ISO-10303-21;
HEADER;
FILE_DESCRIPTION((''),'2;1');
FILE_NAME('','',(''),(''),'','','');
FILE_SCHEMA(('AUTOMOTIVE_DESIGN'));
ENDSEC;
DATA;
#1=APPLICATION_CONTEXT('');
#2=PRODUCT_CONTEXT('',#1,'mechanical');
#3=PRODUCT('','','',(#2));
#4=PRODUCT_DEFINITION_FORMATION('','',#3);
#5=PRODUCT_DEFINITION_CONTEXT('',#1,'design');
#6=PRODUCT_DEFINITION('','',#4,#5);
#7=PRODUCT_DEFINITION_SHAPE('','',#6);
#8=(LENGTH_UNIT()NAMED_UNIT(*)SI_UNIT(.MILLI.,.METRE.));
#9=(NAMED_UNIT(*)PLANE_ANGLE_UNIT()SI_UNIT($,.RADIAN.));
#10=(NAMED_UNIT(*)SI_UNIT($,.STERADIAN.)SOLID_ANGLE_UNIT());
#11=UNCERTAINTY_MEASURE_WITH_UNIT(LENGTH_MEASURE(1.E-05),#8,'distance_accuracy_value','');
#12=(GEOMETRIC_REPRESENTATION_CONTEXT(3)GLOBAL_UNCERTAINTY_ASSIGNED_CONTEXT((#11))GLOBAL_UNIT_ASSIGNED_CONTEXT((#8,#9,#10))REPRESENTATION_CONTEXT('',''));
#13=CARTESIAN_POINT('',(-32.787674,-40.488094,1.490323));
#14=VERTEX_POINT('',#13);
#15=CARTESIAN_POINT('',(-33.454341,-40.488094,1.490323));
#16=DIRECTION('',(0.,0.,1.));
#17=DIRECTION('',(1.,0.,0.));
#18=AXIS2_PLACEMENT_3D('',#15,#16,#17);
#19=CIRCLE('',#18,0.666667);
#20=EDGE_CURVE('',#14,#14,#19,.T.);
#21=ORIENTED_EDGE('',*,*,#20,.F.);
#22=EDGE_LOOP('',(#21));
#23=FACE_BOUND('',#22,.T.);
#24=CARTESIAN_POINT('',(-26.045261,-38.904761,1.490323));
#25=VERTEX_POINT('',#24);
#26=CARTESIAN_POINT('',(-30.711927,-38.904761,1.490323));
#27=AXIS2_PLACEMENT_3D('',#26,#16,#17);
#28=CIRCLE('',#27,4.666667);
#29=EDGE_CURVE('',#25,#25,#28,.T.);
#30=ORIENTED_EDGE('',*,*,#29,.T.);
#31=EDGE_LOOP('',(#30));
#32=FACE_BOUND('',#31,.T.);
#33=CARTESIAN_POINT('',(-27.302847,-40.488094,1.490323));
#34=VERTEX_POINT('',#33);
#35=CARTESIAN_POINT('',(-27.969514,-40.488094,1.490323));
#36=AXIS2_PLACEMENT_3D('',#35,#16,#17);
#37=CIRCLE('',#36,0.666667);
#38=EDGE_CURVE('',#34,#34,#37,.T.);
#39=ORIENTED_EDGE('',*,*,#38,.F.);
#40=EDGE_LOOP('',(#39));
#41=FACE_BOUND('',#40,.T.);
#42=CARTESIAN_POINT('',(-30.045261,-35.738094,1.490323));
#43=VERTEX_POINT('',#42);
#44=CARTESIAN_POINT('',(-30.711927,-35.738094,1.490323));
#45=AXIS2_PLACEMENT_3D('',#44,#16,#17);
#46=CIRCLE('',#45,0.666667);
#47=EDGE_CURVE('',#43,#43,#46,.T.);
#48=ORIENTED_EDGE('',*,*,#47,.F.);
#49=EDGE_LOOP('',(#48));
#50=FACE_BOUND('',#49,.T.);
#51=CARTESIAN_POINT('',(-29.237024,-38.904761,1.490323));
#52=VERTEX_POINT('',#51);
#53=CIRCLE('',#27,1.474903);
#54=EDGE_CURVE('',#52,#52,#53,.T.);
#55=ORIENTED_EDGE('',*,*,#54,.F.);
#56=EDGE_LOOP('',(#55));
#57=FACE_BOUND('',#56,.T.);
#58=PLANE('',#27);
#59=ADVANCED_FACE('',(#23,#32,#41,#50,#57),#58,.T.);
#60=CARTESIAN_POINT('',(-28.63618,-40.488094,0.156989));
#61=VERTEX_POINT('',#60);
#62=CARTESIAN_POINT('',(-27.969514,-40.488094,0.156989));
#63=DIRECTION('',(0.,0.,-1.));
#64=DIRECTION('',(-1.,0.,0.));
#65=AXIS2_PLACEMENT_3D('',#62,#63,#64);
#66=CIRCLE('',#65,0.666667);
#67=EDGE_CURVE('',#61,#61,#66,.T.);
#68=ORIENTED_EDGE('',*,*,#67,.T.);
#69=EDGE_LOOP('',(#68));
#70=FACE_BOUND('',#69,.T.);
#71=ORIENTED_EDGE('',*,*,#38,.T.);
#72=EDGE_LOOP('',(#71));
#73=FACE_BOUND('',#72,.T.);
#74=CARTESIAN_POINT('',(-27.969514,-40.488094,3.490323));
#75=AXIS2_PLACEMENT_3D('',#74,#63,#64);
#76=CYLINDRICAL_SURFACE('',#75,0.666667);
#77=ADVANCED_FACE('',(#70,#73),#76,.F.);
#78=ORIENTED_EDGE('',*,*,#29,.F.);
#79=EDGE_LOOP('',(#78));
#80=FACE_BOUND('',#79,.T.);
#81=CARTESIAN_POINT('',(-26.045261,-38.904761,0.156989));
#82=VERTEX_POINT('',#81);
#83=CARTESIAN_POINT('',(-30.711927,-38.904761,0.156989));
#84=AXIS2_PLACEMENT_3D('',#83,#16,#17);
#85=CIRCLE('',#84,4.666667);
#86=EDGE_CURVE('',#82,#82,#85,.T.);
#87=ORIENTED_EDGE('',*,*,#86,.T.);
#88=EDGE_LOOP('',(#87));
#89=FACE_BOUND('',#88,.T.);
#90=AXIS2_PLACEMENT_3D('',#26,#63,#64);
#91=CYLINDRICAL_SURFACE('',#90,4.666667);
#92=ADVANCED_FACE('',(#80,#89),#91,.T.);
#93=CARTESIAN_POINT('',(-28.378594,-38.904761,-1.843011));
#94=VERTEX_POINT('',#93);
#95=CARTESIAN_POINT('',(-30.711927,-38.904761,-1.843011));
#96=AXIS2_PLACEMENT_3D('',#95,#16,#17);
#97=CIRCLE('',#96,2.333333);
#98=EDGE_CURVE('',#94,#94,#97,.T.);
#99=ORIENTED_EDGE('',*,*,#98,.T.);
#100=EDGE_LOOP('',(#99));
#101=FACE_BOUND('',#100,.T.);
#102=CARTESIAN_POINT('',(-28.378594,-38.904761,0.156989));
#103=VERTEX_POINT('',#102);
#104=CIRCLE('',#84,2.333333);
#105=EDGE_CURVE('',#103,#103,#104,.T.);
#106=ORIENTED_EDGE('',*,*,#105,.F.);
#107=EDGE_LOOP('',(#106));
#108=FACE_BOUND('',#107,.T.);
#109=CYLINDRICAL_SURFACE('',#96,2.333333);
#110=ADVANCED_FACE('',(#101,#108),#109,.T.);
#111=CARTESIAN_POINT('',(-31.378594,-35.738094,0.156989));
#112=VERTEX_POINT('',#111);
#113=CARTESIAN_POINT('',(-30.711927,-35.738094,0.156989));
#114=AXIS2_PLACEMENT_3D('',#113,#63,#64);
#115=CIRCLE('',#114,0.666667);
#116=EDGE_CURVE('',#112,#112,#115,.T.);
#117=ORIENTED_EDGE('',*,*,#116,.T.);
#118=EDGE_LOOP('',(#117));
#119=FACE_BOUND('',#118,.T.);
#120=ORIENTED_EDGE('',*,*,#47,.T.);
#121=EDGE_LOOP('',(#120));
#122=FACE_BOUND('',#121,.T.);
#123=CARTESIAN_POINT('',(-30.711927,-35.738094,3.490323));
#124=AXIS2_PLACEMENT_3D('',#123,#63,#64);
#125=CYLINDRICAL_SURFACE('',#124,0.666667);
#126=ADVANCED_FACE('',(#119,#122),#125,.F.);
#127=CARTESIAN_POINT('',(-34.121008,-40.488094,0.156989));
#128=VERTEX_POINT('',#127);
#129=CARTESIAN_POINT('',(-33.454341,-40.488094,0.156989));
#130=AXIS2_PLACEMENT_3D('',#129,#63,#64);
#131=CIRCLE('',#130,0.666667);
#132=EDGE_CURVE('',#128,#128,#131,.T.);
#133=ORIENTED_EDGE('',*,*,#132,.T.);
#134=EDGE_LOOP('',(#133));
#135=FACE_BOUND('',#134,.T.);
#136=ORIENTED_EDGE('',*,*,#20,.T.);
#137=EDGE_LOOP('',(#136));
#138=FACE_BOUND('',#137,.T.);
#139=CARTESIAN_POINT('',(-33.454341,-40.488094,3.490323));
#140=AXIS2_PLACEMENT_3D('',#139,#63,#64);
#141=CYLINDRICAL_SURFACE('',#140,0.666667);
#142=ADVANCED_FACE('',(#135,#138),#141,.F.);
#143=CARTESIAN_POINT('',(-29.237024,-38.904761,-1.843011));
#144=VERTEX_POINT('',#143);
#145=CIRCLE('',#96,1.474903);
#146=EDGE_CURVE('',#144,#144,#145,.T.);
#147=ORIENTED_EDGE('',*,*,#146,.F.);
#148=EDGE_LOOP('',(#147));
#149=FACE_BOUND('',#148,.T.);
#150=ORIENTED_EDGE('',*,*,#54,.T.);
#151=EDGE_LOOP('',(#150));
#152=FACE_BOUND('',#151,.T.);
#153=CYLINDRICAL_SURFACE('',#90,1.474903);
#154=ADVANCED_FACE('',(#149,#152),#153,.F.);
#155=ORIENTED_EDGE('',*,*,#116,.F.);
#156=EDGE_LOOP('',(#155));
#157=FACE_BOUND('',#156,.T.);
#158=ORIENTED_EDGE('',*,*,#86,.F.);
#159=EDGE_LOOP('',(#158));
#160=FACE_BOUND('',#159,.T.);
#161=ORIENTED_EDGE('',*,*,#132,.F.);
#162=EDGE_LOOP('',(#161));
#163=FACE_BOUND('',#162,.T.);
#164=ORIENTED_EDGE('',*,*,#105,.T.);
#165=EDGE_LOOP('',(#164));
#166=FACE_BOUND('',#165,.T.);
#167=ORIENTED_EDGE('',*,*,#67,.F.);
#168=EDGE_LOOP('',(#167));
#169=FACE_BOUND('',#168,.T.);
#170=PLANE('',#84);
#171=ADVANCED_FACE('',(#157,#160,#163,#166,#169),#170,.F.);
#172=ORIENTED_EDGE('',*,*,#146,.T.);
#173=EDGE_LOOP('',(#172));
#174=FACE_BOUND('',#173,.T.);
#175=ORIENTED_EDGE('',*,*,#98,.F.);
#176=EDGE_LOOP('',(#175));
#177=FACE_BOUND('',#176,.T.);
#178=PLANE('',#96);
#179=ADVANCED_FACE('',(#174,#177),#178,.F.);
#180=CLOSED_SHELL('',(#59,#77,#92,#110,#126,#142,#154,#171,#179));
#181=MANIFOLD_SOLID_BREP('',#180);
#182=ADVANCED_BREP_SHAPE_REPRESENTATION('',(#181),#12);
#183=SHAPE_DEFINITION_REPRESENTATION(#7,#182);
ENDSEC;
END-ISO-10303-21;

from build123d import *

# Parameters (mm, degrees)
IZIM1_R                     = 7
IZIM1_R_2                   = 2.212355073
Y_KSEKLIK_EKSTR_ZYON1_DEPTH = 2
IZIM2_R                     = 3.5
IZIM2_R_2                   = 2.212355073
Y_KSEKLIK_EKSTR_ZYON2_DEPTH = 5
IZIM3_R                     = 1
KES_EKSTR_ZYON1_DEPTH       = 5
SCALE1_SCALE                = 0.666666667


with BuildPart() as part:
    # Çizim1 → Yükseklik-Ekstrüzyon1 (new body)
    with BuildSketch(Plane.XY):
        with Locations((-30.711927379, -38.904760786)):
            Circle(IZIM1_R)
        with Locations((-30.711927379, -38.904760786)):
            Circle(IZIM1_R_2, mode=Mode.SUBTRACT)
    extrude(amount=Y_KSEKLIK_EKSTR_ZYON1_DEPTH)

    # Çizim2 → Yükseklik-Ekstrüzyon2 (add)
    with BuildSketch(Plane.XY.offset(2)):
        with Locations((-30.711927379, -38.904760786)):
            Circle(IZIM2_R)
        with Locations((-30.711927379, -38.904760786)):
            Circle(IZIM2_R_2, mode=Mode.SUBTRACT)
    extrude(amount=-Y_KSEKLIK_EKSTR_ZYON2_DEPTH)

    # Çizim3 → Kes-Ekstrüzyon1 (cut)
    with BuildSketch(Plane(origin=(0, 0, 0), x_dir=(-1, 0, 0), z_dir=(0, 0, -1))):
        with Locations((30.711927379, -34.154760786)):
            Circle(IZIM3_R)
        with Locations((34.825548047, -41.279760786)):
            Circle(IZIM3_R)
        with Locations((26.598306711, -41.279760786)):
            Circle(IZIM3_R)
    extrude(amount=-KES_EKSTR_ZYON1_DEPTH, mode=Mode.SUBTRACT)


with BuildPart() as part_1:
    # Scale1: scaled about (-30.711927379, -38.904760786, 0.470967588)
    add(part.part.scale(SCALE1_SCALE).moved(Location((-10.237309126, -12.968253595, 0.156989196))))


solid = part_1.part
